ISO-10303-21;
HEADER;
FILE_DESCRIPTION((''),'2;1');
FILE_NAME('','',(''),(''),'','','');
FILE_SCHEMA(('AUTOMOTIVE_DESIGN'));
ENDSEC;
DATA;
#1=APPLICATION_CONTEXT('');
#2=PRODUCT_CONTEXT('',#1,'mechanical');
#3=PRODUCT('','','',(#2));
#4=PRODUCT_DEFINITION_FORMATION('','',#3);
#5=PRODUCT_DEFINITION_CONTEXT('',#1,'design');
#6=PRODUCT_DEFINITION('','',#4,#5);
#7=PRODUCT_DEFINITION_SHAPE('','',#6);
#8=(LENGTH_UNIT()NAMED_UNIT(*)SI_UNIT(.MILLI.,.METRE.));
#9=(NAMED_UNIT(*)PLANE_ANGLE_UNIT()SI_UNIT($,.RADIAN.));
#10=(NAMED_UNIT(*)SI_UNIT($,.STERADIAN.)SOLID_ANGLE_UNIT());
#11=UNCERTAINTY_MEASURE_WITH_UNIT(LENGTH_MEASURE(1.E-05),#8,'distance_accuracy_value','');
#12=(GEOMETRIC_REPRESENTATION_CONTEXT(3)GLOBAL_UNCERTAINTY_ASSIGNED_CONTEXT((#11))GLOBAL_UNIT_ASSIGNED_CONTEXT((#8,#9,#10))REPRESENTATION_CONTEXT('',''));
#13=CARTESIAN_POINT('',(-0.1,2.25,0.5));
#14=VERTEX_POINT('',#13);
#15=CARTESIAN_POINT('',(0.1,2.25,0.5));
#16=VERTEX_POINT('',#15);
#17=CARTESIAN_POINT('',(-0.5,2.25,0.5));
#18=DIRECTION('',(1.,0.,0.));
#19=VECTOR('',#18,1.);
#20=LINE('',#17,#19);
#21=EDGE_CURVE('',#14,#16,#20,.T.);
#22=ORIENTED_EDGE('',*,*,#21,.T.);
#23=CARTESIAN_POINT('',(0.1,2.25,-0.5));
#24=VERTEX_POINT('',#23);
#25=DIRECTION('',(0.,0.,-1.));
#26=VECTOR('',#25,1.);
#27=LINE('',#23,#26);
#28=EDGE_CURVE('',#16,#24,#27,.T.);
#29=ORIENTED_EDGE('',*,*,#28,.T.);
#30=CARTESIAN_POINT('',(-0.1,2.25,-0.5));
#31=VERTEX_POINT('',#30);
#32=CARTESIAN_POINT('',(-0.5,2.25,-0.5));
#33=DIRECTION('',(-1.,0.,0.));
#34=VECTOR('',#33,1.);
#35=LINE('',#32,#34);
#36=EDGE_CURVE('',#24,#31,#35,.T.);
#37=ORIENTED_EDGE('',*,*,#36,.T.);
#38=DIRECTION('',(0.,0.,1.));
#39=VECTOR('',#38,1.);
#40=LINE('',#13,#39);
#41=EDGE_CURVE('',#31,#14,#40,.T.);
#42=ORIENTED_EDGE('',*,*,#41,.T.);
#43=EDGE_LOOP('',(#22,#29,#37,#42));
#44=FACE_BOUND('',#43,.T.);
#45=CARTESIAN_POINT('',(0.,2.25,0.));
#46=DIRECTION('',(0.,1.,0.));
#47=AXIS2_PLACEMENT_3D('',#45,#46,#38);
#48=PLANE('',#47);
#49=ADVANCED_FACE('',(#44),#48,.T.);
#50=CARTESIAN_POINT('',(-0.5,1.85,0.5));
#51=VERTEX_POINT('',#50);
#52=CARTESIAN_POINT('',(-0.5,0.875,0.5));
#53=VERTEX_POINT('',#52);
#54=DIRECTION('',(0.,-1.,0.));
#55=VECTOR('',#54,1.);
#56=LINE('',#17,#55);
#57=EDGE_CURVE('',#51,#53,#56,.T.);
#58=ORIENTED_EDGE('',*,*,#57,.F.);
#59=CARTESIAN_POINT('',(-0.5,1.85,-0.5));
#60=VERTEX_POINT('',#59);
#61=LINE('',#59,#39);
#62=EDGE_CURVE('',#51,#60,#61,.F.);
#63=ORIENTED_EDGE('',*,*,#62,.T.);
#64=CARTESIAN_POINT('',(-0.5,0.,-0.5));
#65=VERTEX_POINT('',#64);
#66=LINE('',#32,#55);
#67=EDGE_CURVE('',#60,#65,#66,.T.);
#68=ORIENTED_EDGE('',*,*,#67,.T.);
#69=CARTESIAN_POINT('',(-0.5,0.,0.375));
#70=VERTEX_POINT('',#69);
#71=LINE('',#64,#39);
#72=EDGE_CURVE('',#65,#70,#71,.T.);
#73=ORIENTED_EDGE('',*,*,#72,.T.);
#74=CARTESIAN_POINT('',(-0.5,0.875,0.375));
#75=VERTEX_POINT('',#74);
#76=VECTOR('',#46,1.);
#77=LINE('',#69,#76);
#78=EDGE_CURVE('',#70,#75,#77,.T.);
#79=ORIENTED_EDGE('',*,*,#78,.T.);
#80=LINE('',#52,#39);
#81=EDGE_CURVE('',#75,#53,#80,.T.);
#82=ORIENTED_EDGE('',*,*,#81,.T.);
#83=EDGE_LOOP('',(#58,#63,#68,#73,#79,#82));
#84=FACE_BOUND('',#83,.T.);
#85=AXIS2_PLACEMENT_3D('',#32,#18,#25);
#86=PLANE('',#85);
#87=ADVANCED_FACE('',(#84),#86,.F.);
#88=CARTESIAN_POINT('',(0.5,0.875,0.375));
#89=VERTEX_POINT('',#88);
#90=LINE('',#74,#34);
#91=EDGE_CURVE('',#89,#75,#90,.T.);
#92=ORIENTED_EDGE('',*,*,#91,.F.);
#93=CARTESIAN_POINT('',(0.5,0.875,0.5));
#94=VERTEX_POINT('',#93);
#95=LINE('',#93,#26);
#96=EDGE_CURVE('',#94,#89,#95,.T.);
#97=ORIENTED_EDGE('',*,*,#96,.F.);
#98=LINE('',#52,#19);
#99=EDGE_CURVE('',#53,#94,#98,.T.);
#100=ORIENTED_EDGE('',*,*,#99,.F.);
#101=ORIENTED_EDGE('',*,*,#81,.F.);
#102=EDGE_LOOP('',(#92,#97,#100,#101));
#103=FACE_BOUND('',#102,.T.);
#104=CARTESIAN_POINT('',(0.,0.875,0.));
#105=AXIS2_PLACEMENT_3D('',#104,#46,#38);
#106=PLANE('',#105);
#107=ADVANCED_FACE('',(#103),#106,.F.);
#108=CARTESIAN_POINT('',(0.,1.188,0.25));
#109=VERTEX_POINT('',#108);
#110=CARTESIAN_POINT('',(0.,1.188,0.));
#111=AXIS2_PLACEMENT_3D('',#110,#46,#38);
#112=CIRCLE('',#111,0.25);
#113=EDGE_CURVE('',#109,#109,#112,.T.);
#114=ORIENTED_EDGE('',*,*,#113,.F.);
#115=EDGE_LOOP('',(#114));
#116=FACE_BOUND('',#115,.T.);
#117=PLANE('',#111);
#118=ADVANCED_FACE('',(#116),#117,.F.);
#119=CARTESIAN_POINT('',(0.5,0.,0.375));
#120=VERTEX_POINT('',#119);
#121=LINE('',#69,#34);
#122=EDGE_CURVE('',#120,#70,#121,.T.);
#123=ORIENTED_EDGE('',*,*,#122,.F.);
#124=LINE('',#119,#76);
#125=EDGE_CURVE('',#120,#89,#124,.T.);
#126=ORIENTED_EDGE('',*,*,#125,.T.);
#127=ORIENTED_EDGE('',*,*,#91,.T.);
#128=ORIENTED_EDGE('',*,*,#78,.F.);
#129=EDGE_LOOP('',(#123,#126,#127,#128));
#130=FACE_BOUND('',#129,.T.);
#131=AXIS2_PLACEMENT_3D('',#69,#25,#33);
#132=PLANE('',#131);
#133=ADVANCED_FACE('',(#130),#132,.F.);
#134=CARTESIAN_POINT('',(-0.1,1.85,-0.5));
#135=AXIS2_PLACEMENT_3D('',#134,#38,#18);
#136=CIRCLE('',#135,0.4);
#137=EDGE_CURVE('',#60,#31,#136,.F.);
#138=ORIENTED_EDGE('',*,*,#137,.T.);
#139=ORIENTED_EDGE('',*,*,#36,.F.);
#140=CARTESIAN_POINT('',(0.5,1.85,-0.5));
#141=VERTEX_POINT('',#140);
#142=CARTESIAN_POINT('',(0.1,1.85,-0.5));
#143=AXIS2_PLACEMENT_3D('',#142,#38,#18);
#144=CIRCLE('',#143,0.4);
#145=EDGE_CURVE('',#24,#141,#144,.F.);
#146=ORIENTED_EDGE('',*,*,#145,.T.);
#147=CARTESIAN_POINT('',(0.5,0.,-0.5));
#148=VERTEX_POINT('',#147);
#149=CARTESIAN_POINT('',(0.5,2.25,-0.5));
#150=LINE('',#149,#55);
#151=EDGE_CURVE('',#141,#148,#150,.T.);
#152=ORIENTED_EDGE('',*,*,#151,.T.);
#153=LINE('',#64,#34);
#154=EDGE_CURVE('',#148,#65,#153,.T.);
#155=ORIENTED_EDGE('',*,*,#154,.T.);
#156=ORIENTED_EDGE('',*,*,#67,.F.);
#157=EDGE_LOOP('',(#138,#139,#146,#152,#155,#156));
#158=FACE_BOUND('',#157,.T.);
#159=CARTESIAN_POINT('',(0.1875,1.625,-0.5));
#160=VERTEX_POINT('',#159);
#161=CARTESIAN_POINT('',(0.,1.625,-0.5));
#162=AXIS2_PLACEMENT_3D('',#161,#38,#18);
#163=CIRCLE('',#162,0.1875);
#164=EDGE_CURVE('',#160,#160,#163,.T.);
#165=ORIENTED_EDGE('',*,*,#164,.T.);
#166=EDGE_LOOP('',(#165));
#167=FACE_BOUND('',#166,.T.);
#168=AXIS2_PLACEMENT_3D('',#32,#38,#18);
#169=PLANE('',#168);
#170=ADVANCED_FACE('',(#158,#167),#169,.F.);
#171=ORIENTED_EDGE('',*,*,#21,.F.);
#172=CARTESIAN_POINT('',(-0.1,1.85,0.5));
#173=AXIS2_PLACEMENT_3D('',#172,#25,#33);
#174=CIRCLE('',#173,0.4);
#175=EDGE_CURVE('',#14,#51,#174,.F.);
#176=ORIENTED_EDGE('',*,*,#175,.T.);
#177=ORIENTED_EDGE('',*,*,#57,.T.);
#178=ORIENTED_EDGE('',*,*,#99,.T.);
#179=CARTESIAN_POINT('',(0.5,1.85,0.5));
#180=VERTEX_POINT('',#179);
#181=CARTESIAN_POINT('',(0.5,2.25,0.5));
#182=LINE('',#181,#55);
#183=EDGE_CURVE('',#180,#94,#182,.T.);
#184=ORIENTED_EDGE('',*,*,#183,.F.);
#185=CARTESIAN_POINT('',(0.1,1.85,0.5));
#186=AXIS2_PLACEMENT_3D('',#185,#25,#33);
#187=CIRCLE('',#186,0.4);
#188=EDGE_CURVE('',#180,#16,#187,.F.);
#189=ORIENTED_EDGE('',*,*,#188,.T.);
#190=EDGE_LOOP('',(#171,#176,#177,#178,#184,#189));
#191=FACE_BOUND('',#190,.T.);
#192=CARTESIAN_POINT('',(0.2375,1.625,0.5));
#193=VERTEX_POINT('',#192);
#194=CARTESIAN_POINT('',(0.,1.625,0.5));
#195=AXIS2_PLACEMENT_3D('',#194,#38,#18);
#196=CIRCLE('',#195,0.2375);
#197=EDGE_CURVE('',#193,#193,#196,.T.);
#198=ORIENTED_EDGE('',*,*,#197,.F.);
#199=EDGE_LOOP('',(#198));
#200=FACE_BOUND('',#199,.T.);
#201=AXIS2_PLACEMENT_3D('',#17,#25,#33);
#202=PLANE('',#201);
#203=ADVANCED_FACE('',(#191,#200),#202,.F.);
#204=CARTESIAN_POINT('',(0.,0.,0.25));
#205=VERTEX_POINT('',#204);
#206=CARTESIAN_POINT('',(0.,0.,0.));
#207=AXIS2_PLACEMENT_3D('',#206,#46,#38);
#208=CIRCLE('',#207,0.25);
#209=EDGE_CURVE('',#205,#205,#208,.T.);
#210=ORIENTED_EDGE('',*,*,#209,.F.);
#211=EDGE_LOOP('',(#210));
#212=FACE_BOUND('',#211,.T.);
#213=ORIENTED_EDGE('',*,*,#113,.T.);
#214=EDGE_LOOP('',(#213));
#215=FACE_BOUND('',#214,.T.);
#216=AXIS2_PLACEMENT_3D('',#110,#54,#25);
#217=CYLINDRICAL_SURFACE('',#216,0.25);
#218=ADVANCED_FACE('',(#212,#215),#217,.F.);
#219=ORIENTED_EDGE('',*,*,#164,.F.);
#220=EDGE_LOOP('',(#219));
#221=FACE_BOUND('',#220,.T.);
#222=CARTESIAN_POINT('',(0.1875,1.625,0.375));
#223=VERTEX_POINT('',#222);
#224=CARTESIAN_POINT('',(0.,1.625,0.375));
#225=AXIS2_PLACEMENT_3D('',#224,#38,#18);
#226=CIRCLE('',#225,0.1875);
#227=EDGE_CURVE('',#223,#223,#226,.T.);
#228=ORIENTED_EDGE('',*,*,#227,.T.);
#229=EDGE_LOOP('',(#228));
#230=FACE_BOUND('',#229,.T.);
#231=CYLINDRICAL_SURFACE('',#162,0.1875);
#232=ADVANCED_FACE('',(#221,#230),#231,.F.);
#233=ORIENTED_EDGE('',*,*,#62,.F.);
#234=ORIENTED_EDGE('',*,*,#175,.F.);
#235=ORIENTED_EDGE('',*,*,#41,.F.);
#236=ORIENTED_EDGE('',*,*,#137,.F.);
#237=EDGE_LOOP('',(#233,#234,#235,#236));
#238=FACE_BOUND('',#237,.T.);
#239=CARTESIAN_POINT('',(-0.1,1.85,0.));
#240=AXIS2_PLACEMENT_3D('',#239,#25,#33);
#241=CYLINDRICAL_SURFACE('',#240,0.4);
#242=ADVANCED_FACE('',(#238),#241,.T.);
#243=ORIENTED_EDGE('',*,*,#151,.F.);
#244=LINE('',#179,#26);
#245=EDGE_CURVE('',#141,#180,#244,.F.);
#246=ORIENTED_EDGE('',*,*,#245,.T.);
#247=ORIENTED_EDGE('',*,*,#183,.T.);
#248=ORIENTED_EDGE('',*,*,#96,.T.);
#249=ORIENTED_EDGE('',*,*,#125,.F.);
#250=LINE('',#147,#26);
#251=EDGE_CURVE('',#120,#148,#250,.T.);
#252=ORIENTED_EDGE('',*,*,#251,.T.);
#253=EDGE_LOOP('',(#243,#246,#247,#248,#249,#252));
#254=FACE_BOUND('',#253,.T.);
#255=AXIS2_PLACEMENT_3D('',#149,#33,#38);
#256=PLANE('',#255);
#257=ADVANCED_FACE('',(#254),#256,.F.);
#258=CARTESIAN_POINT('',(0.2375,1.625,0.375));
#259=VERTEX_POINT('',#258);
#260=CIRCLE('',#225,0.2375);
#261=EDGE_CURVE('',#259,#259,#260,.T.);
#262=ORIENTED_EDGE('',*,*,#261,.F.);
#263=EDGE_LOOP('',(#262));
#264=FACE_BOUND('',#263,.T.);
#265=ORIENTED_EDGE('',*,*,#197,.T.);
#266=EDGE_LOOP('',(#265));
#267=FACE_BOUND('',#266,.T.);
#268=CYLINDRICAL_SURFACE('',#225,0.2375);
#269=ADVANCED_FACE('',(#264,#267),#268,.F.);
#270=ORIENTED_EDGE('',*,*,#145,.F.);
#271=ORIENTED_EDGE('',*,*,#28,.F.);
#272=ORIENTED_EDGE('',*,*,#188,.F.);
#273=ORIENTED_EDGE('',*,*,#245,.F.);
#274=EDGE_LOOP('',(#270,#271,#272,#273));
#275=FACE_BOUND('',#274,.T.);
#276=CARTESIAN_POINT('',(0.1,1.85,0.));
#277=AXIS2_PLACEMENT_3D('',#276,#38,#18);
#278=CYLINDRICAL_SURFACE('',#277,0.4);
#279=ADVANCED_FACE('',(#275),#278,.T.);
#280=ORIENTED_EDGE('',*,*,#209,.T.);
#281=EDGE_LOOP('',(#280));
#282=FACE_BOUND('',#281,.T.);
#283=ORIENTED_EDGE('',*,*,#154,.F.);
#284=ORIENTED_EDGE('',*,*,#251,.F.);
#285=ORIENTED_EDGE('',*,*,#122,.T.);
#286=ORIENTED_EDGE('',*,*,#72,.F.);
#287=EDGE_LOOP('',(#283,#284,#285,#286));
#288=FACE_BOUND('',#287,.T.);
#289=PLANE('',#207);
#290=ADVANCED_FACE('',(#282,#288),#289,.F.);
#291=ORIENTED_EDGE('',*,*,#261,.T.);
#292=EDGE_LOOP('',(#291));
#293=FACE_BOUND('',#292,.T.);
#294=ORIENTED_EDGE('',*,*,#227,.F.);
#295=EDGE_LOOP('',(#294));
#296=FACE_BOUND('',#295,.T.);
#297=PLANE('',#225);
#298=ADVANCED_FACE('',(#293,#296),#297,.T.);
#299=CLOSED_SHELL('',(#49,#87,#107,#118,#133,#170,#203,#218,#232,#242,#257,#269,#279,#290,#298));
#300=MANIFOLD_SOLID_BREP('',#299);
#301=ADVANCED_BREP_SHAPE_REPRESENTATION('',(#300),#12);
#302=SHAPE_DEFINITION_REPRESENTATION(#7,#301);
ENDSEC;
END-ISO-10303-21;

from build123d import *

# Parameters (mm, degrees)
SKETCH1_W           = 1
SKETCH1_H           = 1
BOSS_EXTRUDE1_DEPTH = 2.25
SKETCH3_W           = 1
SKETCH3_H           = 0.125
CUT_EXTRUDE4_DEPTH  = 0.875
SKETCH5_R           = 0.2375
CUT_EXTRUDE5_DEPTH  = 0.125
SKETCH6_R           = 0.1875
CUT_EXTRUDE6_DEPTH  = 0.875
SKETCH7_R           = 0.25
CUT_EXTRUDE7_DEPTH  = 1.188
FILLET1_R           = 0.4
FILLET2_R           = 0.4


with BuildPart() as part:
    # Sketch1 → Boss-Extrude1 (new body)
    with BuildSketch(Plane(origin=(0, 0, 0), x_dir=(1, 0, 0), z_dir=(0, 1, 0))):
        Rectangle(SKETCH1_W, SKETCH1_H)
    extrude(amount=BOSS_EXTRUDE1_DEPTH)

    # Sketch3 → Cut-Extrude4 (cut)
    with BuildSketch(Plane(origin=(0, 0.875, 0), x_dir=(1, 0, 0), z_dir=(0, 1, 0))):
        with Locations((0, -0.4375)):
            Rectangle(SKETCH3_W, SKETCH3_H)
    extrude(amount=-CUT_EXTRUDE4_DEPTH, mode=Mode.SUBTRACT)

    # Sketch5 → Cut-Extrude5 (cut)
    with BuildSketch(Plane.XY.offset(0.5)):
        with Locations((0, 1.625)):
            Circle(SKETCH5_R)
    extrude(amount=-CUT_EXTRUDE5_DEPTH, mode=Mode.SUBTRACT)

    # Sketch6 → Cut-Extrude6 (cut)
    with BuildSketch(Plane.XY.offset(0.375)):
        with Locations((0, 1.625)):
            Circle(SKETCH6_R)
    extrude(amount=-CUT_EXTRUDE6_DEPTH, mode=Mode.SUBTRACT)

    # Sketch7 → Cut-Extrude7 (cut)
    with BuildSketch(Plane(origin=(0, 0, 0), x_dir=(1, 0, 0), z_dir=(0, 1, 0))):
        with Locations(Location((0, 0, 0), (0, 0, 270))):
            Circle(SKETCH7_R)
    extrude(amount=CUT_EXTRUDE7_DEPTH, mode=Mode.SUBTRACT)

    # Fillet1
    fillet1_edges = [part.edges().sort_by_distance(p)[0] for p in [
        (0.5, 2.25, 0),
    ]]
    fillet(fillet1_edges, radius=FILLET1_R)

    # Fillet2
    fillet2_edges = [part.edges().sort_by_distance(p)[0] for p in [
        (-0.5, 2.25, 0),
    ]]
    fillet(fillet2_edges, radius=FILLET2_R)


solid = part.part
